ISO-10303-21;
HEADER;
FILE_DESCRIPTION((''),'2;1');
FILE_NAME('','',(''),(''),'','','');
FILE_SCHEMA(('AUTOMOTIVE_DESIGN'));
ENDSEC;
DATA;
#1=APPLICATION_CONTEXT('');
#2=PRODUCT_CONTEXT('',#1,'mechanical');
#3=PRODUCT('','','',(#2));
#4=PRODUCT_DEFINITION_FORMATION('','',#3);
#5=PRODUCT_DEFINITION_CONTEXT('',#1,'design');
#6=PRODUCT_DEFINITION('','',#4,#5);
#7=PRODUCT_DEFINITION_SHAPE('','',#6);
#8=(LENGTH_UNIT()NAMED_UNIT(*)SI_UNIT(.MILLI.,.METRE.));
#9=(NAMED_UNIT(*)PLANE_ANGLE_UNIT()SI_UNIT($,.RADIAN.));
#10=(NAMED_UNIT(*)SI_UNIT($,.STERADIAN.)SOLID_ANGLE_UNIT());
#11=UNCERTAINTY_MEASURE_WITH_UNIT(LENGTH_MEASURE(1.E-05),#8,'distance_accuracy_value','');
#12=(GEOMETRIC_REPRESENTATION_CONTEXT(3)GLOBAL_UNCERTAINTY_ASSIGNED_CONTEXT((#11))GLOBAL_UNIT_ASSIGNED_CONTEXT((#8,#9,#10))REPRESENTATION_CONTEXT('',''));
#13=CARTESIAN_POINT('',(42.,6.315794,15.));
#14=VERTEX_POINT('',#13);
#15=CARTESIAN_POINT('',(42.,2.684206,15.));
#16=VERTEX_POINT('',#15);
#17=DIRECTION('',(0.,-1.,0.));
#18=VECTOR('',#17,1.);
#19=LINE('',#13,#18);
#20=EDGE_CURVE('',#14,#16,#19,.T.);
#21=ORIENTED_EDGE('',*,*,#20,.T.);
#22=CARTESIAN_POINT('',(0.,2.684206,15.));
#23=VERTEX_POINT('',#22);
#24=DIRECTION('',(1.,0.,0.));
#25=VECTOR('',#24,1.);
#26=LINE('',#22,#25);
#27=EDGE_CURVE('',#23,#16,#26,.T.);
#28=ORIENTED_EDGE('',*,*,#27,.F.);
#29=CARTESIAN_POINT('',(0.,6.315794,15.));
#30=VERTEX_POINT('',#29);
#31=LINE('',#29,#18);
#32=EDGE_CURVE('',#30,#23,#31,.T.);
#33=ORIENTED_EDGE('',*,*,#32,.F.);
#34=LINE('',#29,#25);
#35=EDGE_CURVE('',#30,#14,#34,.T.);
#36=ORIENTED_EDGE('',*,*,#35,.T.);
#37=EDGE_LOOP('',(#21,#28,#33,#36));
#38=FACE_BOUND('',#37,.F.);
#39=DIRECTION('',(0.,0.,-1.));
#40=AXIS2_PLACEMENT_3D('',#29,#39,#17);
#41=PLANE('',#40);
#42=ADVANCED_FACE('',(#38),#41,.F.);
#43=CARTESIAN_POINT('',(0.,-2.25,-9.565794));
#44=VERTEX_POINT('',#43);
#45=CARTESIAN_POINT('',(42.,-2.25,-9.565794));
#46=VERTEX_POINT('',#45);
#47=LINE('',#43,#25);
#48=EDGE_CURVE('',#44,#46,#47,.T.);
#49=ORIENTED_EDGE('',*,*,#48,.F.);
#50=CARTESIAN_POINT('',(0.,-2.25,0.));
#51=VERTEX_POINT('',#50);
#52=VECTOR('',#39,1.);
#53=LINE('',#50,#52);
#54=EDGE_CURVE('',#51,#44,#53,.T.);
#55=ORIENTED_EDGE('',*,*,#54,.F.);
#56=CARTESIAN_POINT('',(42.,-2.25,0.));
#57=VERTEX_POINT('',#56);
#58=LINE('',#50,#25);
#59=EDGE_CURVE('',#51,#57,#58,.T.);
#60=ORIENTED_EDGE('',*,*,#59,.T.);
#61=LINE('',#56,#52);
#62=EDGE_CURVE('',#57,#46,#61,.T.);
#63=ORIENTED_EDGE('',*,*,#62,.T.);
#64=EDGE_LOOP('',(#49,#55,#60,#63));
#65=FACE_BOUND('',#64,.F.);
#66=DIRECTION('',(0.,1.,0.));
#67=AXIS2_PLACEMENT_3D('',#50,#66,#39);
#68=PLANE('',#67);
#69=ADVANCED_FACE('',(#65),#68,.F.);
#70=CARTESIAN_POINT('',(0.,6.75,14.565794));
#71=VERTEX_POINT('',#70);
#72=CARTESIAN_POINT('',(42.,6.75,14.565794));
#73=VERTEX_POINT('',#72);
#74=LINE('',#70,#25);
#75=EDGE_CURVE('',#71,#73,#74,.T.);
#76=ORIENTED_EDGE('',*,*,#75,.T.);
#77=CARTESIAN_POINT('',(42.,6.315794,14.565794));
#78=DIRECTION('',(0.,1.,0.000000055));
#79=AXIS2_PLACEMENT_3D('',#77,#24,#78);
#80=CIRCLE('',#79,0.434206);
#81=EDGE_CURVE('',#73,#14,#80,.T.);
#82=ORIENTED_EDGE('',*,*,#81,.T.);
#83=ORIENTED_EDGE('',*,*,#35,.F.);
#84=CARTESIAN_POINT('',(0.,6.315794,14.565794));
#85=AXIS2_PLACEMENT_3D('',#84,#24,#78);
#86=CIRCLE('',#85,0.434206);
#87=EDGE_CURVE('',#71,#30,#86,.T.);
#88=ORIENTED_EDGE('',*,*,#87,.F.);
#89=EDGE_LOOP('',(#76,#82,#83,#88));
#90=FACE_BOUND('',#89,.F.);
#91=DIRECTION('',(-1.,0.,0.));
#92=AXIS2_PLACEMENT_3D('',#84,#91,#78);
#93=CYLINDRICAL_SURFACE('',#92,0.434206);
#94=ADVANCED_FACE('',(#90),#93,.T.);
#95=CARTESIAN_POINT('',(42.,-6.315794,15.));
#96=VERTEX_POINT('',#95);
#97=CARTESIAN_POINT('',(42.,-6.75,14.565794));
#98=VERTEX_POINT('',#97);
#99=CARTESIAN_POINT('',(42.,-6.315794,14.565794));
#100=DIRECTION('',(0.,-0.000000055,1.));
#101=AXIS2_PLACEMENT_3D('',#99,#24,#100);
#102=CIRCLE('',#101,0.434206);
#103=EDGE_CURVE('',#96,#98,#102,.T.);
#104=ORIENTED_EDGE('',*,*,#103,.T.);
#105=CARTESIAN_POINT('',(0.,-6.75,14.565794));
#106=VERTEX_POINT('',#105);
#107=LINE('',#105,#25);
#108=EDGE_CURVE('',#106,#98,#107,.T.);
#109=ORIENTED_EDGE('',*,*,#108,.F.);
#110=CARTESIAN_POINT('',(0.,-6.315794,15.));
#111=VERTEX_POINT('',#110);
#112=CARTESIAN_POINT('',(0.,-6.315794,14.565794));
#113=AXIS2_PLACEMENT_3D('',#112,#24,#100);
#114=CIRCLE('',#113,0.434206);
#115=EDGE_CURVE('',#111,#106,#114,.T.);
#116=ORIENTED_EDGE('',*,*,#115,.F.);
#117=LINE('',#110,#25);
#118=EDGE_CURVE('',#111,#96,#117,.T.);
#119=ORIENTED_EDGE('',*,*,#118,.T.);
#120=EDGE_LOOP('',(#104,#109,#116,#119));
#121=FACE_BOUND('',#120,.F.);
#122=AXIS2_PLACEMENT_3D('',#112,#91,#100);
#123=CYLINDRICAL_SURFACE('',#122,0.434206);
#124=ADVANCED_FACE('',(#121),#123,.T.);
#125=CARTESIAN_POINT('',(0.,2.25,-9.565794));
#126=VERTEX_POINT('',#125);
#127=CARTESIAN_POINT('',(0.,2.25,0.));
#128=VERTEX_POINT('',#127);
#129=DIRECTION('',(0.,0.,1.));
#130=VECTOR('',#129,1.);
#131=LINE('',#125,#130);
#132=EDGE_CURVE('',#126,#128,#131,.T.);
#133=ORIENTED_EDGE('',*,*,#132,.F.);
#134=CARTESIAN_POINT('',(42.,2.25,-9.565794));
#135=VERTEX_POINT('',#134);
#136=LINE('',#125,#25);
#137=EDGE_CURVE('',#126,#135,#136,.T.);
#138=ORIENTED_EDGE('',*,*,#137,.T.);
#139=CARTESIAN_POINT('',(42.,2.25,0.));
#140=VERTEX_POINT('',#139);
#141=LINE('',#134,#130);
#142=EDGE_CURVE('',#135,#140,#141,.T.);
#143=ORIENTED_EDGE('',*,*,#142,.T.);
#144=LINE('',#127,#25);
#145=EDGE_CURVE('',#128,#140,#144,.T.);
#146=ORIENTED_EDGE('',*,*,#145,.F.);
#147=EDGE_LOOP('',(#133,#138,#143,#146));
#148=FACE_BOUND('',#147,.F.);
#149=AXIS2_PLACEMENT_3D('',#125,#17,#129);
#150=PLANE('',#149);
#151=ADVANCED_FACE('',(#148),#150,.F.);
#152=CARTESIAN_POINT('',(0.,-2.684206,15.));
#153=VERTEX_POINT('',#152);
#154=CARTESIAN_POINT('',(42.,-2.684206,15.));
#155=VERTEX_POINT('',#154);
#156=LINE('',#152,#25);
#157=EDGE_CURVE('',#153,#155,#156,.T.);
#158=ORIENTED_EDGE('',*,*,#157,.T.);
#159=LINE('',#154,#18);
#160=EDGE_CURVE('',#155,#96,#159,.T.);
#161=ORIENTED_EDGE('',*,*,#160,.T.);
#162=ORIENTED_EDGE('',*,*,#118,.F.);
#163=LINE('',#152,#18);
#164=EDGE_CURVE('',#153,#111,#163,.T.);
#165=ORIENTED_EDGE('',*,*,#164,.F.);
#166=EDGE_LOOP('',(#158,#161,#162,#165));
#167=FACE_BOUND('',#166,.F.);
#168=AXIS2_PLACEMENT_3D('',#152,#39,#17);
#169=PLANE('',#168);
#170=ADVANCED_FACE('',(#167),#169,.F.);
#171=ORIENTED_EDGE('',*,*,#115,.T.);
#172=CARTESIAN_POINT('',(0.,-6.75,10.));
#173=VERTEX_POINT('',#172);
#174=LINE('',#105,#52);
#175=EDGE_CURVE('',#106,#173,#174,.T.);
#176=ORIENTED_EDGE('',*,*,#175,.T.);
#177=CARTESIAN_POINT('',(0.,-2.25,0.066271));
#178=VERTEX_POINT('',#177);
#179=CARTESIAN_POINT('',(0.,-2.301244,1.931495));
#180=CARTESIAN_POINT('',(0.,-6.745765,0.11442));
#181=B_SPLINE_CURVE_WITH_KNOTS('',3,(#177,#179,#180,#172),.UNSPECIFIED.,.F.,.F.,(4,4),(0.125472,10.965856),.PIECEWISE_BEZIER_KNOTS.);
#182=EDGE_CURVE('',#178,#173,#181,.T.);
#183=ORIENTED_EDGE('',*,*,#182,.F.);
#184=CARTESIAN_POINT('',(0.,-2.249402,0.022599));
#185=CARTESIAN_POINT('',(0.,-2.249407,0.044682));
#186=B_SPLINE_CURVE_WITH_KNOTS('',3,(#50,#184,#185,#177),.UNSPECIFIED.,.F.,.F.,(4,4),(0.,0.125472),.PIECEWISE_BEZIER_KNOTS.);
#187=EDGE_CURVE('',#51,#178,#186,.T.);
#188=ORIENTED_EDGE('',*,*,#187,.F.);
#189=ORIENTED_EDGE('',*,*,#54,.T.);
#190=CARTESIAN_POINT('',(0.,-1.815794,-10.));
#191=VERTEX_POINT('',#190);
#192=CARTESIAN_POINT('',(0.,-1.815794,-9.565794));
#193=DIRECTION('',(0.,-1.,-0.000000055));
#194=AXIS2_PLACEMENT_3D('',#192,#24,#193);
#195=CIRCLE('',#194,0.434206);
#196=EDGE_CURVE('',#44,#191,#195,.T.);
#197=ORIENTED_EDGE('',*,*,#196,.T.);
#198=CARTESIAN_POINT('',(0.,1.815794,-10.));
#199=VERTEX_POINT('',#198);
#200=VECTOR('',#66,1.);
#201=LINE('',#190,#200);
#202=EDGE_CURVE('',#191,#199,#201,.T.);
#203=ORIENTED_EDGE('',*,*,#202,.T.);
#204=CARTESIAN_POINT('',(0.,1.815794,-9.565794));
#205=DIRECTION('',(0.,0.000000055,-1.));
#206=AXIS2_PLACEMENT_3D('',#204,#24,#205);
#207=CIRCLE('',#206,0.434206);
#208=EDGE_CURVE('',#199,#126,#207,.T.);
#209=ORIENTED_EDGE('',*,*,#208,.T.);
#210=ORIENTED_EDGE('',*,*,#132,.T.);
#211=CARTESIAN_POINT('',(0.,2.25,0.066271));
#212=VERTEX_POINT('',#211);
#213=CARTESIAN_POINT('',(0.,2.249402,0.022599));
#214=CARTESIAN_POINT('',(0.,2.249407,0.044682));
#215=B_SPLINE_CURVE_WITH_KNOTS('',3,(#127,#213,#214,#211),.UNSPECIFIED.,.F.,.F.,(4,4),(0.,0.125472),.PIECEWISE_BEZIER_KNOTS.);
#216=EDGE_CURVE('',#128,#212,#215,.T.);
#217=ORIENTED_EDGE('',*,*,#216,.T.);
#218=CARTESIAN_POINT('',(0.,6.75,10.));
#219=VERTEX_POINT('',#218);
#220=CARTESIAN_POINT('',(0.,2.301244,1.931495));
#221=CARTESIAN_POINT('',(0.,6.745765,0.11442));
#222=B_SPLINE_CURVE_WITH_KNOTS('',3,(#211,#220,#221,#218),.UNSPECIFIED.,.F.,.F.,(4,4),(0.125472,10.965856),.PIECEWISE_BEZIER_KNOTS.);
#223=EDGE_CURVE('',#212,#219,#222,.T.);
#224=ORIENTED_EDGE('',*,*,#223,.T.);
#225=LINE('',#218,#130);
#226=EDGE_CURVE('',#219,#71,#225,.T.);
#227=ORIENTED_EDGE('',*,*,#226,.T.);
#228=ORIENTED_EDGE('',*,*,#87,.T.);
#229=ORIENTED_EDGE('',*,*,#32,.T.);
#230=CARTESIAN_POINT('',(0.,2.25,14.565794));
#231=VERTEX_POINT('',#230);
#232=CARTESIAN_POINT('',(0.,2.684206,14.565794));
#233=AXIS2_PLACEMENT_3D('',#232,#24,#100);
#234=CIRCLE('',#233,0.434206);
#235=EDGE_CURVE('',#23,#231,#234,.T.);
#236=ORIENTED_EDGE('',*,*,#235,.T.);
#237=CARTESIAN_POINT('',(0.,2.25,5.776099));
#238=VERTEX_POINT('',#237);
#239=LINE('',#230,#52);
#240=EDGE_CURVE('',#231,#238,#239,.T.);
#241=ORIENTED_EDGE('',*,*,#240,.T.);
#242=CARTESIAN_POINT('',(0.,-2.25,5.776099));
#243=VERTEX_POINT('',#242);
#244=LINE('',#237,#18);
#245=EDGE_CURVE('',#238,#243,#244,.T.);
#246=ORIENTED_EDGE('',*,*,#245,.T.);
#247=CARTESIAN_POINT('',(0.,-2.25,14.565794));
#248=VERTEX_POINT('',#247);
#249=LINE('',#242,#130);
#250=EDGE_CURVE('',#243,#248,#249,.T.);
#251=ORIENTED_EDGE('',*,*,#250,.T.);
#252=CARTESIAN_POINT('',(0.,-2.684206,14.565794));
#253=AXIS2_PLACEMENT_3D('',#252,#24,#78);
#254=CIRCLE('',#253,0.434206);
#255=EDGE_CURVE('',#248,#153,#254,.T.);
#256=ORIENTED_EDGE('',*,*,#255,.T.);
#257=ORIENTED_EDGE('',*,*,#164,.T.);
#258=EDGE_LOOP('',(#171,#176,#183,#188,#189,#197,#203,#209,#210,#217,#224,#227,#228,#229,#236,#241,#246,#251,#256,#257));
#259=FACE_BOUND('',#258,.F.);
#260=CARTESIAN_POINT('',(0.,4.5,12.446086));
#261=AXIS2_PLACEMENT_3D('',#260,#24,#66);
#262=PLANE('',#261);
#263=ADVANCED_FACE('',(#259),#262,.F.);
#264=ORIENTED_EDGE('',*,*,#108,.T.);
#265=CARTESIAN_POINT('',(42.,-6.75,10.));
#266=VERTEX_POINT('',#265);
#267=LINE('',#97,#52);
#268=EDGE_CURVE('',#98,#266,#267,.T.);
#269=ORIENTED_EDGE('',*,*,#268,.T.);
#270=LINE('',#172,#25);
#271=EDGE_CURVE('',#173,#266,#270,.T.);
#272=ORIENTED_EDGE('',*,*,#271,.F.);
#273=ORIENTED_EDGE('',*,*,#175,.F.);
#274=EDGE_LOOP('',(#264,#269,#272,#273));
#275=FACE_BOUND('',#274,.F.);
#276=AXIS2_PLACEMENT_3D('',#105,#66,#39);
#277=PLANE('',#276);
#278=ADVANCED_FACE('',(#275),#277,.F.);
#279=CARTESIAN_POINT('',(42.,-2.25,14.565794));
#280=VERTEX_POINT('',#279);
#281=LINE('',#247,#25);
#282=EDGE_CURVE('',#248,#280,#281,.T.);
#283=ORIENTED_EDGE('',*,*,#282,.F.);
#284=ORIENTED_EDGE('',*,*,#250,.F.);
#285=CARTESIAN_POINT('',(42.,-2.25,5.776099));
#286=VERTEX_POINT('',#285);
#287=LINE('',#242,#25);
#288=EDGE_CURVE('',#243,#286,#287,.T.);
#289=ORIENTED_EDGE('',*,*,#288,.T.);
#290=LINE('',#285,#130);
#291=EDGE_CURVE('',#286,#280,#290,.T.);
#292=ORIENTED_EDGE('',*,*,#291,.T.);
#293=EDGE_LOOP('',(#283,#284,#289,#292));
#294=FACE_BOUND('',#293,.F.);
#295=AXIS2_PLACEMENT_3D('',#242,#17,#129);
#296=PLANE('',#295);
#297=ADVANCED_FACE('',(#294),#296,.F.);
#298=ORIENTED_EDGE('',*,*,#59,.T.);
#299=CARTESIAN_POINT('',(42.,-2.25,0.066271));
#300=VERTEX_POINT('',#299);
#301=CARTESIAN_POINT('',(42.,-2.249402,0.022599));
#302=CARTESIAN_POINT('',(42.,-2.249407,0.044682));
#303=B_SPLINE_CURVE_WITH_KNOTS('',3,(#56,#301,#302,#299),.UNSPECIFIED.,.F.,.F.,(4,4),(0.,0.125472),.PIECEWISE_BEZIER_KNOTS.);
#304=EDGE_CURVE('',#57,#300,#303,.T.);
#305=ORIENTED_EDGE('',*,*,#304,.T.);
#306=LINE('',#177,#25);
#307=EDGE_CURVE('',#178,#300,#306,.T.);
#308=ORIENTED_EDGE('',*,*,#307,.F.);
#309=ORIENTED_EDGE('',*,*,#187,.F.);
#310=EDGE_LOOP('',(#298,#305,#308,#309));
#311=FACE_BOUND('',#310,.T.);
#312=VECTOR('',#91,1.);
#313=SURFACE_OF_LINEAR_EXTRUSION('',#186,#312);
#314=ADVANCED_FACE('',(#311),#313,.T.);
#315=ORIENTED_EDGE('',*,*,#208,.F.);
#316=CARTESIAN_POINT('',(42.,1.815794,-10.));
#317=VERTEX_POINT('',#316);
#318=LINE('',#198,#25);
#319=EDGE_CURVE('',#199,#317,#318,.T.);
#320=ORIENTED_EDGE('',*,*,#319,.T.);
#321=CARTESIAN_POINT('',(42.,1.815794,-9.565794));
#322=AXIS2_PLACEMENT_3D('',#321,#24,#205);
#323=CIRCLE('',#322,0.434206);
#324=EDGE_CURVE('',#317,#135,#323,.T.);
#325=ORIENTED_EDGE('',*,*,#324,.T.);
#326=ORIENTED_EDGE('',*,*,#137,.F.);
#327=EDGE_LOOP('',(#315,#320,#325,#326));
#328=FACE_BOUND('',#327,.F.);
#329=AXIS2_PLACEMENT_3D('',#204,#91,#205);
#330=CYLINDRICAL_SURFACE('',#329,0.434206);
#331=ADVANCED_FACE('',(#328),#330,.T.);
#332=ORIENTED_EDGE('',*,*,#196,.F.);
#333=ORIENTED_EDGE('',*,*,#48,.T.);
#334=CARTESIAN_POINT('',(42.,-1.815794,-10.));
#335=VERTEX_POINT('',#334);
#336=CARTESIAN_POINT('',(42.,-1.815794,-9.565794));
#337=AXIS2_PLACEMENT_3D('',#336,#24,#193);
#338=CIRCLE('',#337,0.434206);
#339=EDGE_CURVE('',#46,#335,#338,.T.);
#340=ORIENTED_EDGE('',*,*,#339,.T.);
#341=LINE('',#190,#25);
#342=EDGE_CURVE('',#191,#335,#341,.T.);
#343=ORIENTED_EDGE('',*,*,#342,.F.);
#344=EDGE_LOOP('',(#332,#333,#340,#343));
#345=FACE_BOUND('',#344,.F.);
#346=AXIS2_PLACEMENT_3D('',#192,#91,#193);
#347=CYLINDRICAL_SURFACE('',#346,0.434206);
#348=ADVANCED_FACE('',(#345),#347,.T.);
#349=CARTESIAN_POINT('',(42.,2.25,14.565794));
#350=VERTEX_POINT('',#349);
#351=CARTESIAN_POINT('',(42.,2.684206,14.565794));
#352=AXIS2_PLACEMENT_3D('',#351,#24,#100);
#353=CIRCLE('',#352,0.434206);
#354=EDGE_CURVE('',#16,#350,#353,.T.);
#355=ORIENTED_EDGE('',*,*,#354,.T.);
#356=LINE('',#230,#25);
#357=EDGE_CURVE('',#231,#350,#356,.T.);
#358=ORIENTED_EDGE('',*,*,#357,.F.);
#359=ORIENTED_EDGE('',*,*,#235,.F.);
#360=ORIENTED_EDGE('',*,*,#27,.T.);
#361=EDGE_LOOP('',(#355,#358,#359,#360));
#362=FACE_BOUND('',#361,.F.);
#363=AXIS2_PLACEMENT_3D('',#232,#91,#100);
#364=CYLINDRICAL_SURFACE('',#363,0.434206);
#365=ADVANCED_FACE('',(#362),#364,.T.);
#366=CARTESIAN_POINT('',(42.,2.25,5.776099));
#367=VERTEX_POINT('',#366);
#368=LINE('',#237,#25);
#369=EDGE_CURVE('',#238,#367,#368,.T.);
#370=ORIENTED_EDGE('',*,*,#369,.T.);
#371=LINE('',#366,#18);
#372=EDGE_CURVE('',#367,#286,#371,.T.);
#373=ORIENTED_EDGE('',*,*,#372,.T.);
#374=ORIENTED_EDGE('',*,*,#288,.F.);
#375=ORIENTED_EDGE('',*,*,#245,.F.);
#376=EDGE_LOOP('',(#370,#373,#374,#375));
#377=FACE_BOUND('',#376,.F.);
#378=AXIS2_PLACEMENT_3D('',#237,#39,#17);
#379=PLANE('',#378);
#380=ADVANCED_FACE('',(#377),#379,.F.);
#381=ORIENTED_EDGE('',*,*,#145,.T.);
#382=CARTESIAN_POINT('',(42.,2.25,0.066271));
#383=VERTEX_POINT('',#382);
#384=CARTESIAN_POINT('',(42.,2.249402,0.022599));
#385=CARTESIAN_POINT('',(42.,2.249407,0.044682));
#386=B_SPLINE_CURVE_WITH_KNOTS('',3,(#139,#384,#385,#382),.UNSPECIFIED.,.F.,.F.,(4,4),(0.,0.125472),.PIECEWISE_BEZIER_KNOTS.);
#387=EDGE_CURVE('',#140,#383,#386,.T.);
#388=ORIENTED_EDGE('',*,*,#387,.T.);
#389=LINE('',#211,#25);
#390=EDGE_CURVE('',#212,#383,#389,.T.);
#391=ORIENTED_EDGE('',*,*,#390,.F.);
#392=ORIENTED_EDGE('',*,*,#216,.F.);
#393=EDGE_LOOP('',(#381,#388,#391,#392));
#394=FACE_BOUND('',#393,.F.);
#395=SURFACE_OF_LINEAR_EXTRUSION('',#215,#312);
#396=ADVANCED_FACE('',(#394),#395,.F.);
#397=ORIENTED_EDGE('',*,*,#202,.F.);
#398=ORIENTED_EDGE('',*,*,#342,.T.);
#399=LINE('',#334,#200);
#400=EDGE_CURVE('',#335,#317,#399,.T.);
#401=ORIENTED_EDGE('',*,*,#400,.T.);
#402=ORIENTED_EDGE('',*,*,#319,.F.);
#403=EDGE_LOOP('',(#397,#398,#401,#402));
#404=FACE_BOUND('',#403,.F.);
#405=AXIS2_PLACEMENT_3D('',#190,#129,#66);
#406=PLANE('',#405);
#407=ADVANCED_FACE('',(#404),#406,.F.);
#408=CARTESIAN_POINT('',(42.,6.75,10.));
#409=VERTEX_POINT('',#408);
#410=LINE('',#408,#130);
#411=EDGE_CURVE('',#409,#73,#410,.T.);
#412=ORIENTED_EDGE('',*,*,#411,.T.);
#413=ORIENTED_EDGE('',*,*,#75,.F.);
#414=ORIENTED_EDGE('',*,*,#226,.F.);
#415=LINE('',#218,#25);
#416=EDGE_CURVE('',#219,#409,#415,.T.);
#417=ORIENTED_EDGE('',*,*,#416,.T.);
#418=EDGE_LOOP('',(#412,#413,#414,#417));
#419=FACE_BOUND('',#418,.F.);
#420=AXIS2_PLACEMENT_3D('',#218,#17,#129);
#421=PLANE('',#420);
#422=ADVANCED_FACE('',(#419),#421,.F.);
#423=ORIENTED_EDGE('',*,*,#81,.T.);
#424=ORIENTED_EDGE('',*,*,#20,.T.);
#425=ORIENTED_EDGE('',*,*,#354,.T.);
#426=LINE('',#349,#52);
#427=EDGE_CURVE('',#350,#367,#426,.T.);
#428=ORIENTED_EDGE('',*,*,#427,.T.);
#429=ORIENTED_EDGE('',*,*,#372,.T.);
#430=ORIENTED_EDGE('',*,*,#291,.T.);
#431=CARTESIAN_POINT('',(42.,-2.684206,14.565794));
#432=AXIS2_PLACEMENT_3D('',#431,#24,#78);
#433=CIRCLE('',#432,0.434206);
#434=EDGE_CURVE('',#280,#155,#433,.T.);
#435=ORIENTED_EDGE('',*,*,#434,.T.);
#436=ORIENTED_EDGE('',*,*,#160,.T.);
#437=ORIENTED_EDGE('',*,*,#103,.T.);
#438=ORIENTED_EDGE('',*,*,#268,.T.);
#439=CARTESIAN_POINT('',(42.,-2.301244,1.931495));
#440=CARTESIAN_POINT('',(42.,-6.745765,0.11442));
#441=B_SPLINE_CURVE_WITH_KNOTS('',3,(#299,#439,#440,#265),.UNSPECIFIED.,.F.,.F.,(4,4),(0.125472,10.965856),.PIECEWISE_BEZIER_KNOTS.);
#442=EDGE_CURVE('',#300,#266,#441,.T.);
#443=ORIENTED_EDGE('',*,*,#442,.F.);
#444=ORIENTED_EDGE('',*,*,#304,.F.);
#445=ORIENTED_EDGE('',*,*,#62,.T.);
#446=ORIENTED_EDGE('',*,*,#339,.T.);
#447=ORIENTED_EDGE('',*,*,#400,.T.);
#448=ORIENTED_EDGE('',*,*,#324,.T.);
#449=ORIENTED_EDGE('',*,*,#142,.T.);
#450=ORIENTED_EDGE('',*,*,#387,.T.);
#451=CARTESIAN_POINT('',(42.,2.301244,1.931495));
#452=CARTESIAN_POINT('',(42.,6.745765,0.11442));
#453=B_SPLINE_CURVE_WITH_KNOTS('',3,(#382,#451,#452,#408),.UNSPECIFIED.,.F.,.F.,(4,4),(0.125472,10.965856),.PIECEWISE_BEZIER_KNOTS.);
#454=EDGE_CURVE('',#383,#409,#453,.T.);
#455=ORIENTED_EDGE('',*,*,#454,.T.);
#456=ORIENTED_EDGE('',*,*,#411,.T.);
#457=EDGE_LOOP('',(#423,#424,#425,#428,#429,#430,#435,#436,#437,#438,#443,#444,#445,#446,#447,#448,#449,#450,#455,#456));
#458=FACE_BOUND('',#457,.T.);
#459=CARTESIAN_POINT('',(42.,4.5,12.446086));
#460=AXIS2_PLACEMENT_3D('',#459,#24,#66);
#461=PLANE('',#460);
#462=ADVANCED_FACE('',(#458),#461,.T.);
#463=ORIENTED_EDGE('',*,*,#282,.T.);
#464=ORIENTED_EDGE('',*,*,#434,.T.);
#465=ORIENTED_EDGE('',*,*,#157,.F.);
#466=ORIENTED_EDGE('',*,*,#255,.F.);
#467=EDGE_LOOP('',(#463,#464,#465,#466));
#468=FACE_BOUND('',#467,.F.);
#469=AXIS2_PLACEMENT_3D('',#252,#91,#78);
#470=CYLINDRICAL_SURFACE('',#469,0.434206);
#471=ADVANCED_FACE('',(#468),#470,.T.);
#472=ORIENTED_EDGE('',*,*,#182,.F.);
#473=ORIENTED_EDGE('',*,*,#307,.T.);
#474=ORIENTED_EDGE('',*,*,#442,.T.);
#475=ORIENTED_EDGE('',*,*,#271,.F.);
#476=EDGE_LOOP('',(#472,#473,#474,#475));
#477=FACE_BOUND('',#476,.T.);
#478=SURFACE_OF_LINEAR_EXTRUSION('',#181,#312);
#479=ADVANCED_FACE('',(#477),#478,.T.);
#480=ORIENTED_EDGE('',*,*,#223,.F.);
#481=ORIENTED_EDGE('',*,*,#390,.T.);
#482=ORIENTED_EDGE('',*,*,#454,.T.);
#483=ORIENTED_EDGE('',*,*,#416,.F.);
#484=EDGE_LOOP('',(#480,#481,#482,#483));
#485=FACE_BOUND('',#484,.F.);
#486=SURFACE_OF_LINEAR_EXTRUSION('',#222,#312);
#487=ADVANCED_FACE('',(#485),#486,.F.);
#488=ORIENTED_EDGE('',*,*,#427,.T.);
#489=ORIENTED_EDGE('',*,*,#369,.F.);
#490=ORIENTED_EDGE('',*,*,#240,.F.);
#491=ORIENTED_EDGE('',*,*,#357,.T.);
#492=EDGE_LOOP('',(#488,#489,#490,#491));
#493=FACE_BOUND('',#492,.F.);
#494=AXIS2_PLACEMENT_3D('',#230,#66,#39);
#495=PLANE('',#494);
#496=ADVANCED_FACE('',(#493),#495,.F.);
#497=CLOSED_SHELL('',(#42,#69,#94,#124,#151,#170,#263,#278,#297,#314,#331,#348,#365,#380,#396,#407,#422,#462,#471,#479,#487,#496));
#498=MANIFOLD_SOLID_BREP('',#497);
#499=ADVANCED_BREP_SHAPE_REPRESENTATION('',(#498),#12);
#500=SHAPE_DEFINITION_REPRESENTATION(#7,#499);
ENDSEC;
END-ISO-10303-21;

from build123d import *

# Parameters (mm, degrees)
F1_DEPTH = 42


with BuildPart() as f1:
    # F0 (on Right) → F1 (new body)
    with BuildSketch(Plane.YZ):
        with BuildLine():
            Line((2.25, 10), (6.75, 10))
            Line((6.75, 10), (6.75, 14.565794))
            ThreePointArc((6.75, 14.565794), (6.622824, 14.872824), (6.315794, 15))
            Line((6.315794, 15), (2.684206, 15))
            ThreePointArc((2.684206, 15), (2.377176, 14.872824), (2.25, 14.565794))
            Line((2.25, 14.565794), (2.25, 10))
        make_face()
        with BuildLine():
            Line((2.25, 5.776099), (2.25, 0.066271))
            add(Edge.make_bspline(
                [(2.25, 0.066271), (2.301244, 1.931495), (6.745765, 0.11442), (6.75, 10)],
                knots=[0.125472, 0.125472, 0.125472, 0.125472, 10.965856, 10.965856, 10.965856, 10.965856], degree=3))
            Line((6.75, 10), (2.25, 10))
            Line((2.25, 10), (2.25, 5.776099))
        make_face()
        with BuildLine():
            ThreePointArc((-2.25, -9.565794), (-2.122824, -9.872824), (-1.815794, -10))
            Line((-1.815794, -10), (1.815794, -10))
            ThreePointArc((1.815794, -10), (2.122824, -9.872824), (2.25, -9.565794))
            Line((2.25, -9.565794), (2.25, 0))
            add(Edge.make_bspline(
                [(2.25, 0), (2.249402, 0.022599), (2.249407, 0.044682), (2.25, 0.066271)],
                knots=[0, 0, 0, 0, 0.125472, 0.125472, 0.125472, 0.125472], degree=3))
            Line((2.25, 0.066271), (2.25, 5.776099))
            Line((2.25, 5.776099), (-2.25, 5.776099))
            Line((-2.25, 5.776099), (-2.25, 0.066271))
            add(Edge.make_bspline(
                [(-2.25, 0), (-2.249402, 0.022599), (-2.249407, 0.044682), (-2.25, 0.066271)],
                knots=[0, 0, 0, 0, 0.125472, 0.125472, 0.125472, 0.125472], degree=3))
            Line((-2.25, 0), (-2.25, -9.565794))
        make_face()
        with BuildLine():
            add(Edge.make_bspline(
                [(-2.25, 0.066271), (-2.301244, 1.931495), (-6.745765, 0.11442), (-6.75, 10)],
                knots=[0.125472, 0.125472, 0.125472, 0.125472, 10.965856, 10.965856, 10.965856, 10.965856], degree=3))
            Line((-2.25, 0.066271), (-2.25, 5.776099))
            Line((-2.25, 5.776099), (-2.25, 10))
            Line((-2.25, 10), (-6.75, 10))
        make_face()
        with BuildLine():
            Line((-6.75, 14.565794), (-6.75, 10))
            Line((-6.75, 10), (-2.25, 10))
            Line((-2.25, 10), (-2.25, 14.565794))
            ThreePointArc((-2.25, 14.565794), (-2.377176, 14.872824), (-2.684206, 15))
            Line((-2.684206, 15), (-6.315794, 15))
            ThreePointArc((-6.315794, 15), (-6.622824, 14.872824), (-6.75, 14.565794))
        make_face()
    extrude(amount=F1_DEPTH)


solid = f1.part
